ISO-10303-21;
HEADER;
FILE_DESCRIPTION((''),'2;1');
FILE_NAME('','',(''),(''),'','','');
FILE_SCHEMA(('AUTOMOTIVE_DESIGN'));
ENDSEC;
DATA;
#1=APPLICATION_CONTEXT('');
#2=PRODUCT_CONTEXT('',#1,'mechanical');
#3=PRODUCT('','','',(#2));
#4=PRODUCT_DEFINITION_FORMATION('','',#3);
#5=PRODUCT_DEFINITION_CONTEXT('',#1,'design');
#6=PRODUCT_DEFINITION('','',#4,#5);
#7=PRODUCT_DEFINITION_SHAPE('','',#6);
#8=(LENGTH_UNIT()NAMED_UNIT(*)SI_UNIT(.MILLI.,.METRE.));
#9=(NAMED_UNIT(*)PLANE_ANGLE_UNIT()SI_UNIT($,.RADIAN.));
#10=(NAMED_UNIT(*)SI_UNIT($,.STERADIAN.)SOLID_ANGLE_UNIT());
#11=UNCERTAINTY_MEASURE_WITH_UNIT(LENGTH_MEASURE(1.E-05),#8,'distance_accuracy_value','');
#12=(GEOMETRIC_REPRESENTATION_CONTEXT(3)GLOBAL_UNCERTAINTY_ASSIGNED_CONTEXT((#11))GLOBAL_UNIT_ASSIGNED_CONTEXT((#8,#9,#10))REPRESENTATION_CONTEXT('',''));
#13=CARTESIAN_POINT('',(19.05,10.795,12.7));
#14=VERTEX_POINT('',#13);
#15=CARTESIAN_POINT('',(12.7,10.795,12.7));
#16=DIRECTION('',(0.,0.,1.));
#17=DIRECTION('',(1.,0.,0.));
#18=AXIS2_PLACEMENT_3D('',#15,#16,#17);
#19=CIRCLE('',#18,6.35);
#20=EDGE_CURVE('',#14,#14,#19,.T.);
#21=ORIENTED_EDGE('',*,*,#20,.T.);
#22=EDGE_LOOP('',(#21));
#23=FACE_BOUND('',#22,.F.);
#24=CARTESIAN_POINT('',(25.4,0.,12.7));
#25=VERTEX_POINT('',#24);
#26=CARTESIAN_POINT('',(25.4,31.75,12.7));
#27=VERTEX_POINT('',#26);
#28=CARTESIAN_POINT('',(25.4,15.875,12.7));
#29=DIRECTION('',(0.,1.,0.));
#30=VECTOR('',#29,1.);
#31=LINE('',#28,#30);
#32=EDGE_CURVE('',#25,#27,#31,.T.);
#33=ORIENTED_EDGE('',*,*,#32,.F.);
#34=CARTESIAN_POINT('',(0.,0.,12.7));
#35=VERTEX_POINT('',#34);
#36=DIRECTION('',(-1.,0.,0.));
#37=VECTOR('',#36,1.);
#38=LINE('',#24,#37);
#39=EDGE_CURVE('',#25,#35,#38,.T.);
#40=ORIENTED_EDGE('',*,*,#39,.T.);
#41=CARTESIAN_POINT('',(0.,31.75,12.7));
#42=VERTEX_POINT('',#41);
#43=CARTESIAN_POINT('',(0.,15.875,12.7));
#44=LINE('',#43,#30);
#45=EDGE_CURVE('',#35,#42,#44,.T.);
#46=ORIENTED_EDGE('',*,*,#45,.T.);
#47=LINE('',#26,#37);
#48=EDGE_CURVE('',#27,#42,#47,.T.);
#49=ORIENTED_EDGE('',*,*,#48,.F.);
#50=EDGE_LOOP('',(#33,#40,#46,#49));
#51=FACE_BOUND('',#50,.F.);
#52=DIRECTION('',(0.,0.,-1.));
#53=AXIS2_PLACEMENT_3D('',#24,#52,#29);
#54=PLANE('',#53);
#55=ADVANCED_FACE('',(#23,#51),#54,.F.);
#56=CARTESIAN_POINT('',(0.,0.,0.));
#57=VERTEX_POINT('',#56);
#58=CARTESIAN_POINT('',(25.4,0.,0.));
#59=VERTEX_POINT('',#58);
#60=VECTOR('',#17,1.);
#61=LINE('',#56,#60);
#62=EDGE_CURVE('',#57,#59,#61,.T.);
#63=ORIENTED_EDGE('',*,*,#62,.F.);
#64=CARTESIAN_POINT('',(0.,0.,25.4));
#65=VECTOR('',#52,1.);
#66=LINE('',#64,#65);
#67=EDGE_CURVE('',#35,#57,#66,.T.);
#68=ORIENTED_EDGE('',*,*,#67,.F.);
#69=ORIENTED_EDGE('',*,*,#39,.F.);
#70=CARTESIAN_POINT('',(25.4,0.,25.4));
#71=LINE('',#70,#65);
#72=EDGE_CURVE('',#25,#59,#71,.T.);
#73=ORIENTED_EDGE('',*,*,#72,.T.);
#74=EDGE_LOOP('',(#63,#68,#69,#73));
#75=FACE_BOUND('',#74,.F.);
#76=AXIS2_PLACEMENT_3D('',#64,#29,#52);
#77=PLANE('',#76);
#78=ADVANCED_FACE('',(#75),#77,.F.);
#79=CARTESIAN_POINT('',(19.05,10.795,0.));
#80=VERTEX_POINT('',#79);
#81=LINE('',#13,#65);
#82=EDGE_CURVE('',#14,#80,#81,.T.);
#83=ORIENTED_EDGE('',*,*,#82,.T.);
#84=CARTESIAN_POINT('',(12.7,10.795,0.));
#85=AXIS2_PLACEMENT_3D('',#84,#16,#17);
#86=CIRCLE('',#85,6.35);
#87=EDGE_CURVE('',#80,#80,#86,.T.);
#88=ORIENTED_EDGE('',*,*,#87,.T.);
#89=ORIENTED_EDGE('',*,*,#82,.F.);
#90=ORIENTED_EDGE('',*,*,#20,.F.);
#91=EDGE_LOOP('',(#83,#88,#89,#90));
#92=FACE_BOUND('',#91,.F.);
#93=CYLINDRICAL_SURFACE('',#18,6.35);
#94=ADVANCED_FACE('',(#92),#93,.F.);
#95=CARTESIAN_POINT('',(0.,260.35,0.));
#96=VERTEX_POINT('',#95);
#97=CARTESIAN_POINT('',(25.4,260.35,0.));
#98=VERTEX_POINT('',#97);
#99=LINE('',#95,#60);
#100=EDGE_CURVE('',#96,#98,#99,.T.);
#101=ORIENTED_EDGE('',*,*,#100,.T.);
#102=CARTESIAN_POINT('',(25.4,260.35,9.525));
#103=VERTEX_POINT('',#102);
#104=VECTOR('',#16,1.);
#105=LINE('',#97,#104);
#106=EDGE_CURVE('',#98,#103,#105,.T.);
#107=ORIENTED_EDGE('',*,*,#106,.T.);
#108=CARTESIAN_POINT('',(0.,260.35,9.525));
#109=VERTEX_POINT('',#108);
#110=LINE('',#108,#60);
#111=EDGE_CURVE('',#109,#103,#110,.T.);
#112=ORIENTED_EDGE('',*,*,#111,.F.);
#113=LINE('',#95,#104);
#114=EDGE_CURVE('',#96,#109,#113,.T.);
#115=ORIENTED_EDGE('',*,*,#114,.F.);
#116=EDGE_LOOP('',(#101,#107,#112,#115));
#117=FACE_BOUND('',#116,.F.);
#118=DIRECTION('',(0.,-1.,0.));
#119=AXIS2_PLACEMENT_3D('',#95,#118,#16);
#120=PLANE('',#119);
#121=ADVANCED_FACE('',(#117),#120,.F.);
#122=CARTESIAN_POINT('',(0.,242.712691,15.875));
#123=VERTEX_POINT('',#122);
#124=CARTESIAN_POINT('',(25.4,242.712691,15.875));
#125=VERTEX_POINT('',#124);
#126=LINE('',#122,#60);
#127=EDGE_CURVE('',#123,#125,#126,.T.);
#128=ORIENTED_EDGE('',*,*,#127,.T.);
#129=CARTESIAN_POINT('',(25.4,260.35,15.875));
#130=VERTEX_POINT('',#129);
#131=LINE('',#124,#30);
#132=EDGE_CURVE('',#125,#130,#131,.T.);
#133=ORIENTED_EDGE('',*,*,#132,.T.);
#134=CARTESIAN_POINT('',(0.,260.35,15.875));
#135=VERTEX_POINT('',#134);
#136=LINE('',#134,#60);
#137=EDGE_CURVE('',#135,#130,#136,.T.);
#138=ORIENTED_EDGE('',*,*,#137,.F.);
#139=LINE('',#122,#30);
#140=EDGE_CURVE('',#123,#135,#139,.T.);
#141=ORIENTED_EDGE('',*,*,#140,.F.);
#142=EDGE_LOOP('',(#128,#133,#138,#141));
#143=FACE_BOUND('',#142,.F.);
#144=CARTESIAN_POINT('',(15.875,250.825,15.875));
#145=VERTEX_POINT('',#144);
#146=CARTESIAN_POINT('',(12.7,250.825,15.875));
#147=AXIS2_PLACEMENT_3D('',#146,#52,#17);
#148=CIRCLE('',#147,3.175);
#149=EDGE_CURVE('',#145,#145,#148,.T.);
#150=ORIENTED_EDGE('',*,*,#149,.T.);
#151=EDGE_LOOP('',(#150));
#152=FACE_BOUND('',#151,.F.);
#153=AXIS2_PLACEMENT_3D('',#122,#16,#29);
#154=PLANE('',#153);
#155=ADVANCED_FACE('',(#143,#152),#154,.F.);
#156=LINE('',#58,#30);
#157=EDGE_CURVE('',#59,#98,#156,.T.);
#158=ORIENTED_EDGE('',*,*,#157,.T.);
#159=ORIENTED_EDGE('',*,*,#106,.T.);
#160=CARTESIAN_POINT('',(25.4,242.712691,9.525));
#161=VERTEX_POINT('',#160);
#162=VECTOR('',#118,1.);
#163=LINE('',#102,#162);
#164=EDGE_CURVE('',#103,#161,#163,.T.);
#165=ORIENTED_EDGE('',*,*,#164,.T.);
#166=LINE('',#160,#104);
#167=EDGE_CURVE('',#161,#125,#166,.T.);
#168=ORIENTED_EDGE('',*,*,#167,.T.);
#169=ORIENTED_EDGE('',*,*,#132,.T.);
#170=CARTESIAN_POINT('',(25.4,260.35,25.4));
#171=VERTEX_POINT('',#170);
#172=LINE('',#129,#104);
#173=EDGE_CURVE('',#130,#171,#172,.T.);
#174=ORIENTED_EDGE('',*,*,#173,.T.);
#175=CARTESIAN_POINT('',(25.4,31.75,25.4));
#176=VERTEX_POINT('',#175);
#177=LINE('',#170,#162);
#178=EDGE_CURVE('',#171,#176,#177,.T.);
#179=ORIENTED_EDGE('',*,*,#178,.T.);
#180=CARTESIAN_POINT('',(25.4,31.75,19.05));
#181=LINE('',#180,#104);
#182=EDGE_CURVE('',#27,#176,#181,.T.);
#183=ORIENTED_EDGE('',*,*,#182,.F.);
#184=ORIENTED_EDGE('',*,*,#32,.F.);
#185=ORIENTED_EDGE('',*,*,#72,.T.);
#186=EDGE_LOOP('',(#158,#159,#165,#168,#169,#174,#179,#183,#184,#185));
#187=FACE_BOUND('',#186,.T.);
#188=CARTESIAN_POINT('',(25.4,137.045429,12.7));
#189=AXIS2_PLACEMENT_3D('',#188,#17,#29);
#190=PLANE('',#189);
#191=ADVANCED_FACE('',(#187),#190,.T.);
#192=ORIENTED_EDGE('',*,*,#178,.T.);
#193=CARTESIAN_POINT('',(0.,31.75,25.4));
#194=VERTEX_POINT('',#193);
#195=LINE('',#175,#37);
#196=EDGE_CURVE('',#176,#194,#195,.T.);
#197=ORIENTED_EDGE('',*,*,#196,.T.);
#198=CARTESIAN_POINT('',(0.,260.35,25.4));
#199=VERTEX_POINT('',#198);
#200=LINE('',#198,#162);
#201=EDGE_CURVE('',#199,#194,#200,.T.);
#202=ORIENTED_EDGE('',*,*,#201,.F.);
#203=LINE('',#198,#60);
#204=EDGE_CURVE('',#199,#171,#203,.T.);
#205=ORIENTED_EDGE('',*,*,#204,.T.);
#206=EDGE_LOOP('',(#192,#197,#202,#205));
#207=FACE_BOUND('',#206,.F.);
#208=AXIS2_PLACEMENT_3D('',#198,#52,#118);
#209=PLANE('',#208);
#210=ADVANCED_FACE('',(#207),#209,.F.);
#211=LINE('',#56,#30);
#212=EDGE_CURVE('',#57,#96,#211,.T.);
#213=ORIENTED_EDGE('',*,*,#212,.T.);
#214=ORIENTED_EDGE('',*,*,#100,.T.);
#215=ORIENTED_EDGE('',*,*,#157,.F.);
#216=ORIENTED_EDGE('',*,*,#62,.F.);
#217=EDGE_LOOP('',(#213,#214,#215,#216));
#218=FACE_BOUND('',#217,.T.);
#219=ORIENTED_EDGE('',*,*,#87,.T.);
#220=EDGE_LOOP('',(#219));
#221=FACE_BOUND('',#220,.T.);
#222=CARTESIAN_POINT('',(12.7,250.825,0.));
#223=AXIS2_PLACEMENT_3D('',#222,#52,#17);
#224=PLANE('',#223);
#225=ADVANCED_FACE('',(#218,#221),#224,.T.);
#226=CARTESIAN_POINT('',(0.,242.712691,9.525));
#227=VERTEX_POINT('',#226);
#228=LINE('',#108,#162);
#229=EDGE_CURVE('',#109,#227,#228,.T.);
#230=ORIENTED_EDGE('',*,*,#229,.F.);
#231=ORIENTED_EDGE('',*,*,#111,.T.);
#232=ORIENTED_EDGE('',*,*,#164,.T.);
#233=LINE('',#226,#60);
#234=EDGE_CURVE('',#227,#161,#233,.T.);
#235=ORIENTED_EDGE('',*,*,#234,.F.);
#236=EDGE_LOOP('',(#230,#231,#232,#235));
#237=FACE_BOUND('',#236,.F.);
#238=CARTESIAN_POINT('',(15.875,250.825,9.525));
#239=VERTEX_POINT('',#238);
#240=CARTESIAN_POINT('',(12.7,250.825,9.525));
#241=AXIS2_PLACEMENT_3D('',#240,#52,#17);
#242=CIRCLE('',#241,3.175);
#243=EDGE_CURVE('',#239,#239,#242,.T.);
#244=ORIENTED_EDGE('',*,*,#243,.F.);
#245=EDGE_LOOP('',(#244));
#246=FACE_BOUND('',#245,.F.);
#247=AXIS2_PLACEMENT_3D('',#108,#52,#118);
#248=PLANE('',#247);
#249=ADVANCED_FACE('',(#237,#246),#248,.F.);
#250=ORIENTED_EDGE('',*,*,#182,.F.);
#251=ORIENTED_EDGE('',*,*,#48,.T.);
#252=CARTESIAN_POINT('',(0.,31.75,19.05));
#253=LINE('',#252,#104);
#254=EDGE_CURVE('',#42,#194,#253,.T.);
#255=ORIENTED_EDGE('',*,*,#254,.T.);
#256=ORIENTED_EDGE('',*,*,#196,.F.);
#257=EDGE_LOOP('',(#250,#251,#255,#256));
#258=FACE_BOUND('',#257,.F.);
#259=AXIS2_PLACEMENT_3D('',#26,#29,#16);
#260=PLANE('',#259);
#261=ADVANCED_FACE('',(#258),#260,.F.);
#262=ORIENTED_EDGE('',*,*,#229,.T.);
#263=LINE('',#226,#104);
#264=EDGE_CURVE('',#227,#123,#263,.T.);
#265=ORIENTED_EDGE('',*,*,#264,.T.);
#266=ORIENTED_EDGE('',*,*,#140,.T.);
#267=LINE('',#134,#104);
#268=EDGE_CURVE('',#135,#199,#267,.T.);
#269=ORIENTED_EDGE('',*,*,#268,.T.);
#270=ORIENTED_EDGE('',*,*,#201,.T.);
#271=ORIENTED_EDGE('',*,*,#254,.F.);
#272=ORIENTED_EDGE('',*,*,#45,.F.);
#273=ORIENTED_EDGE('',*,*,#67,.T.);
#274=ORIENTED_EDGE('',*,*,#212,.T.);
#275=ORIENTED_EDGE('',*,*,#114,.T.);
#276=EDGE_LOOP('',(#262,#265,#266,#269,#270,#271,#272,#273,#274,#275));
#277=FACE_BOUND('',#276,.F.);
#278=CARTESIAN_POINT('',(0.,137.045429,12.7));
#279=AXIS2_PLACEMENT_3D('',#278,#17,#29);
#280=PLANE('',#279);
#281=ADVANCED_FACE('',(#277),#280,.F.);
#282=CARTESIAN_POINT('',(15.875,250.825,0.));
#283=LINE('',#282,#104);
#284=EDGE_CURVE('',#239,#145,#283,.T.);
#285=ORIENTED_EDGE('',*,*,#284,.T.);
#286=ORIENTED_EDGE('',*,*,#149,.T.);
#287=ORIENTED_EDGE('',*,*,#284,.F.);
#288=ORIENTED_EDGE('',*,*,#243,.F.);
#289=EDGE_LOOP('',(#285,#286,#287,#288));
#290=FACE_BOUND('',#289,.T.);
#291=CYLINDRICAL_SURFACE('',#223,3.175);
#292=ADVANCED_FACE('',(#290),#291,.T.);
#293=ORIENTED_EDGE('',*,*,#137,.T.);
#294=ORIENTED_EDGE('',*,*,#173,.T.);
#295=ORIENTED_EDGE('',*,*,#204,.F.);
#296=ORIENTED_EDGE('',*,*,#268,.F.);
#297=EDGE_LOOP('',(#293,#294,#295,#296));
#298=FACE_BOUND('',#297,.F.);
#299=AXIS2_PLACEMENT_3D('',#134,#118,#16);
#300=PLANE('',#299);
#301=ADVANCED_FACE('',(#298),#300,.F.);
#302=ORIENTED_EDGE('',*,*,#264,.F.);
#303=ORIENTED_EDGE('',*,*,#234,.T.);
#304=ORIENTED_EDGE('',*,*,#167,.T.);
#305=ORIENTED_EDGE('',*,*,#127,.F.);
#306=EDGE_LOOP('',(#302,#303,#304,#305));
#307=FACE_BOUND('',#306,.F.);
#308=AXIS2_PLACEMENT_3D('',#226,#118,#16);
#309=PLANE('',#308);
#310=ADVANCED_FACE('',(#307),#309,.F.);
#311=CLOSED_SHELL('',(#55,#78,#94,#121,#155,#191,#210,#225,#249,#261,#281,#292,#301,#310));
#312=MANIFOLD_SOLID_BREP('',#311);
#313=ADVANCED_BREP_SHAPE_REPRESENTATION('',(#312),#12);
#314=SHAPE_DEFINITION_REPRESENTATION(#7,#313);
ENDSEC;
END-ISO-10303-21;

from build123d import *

# Parameters (mm, degrees)
F1_DEPTH = 25.4
F2_W     = 31.75
F2_H     = 12.7
F3_DEPTH = 25.4
F4_R     = 3.175
F5_DEPTH = 25.4
F6_R     = 6.35
F7_DEPTH = 25.4


with BuildPart() as f1:
    # F0 (on Right) → F1 (new body)
    with BuildSketch(Plane.YZ):
        Polygon((0, 25.4), (0, 0), (260.35, 0), (260.35, 9.525), (242.712691, 9.525), (242.712691, 15.875), (260.35, 15.875), (260.35, 25.4), align=None)
    extrude(amount=F1_DEPTH)

    # F2 (on face) → F3 (cut)
    with BuildSketch(Plane.YZ.offset(25.4)):
        with Locations((15.875, 19.05)):
            Rectangle(F2_W, F2_H)
    extrude(amount=-F3_DEPTH, mode=Mode.SUBTRACT)

    # F4 (on face) → F5 (join)
    with BuildSketch(Plane(origin=(0, 0, 0), x_dir=(1, 0, 0), z_dir=(0, 0, -1))):
        with Locations((12.7, -250.825)):
            Circle(F4_R)
    extrude(amount=-F5_DEPTH)

    # F6 (on face) → F7 (cut)
    with BuildSketch(Plane.XY.offset(12.7)):
        with Locations((12.7, 10.795)):
            Circle(F6_R)
    extrude(amount=-F7_DEPTH, mode=Mode.SUBTRACT)


solid = f1.part
